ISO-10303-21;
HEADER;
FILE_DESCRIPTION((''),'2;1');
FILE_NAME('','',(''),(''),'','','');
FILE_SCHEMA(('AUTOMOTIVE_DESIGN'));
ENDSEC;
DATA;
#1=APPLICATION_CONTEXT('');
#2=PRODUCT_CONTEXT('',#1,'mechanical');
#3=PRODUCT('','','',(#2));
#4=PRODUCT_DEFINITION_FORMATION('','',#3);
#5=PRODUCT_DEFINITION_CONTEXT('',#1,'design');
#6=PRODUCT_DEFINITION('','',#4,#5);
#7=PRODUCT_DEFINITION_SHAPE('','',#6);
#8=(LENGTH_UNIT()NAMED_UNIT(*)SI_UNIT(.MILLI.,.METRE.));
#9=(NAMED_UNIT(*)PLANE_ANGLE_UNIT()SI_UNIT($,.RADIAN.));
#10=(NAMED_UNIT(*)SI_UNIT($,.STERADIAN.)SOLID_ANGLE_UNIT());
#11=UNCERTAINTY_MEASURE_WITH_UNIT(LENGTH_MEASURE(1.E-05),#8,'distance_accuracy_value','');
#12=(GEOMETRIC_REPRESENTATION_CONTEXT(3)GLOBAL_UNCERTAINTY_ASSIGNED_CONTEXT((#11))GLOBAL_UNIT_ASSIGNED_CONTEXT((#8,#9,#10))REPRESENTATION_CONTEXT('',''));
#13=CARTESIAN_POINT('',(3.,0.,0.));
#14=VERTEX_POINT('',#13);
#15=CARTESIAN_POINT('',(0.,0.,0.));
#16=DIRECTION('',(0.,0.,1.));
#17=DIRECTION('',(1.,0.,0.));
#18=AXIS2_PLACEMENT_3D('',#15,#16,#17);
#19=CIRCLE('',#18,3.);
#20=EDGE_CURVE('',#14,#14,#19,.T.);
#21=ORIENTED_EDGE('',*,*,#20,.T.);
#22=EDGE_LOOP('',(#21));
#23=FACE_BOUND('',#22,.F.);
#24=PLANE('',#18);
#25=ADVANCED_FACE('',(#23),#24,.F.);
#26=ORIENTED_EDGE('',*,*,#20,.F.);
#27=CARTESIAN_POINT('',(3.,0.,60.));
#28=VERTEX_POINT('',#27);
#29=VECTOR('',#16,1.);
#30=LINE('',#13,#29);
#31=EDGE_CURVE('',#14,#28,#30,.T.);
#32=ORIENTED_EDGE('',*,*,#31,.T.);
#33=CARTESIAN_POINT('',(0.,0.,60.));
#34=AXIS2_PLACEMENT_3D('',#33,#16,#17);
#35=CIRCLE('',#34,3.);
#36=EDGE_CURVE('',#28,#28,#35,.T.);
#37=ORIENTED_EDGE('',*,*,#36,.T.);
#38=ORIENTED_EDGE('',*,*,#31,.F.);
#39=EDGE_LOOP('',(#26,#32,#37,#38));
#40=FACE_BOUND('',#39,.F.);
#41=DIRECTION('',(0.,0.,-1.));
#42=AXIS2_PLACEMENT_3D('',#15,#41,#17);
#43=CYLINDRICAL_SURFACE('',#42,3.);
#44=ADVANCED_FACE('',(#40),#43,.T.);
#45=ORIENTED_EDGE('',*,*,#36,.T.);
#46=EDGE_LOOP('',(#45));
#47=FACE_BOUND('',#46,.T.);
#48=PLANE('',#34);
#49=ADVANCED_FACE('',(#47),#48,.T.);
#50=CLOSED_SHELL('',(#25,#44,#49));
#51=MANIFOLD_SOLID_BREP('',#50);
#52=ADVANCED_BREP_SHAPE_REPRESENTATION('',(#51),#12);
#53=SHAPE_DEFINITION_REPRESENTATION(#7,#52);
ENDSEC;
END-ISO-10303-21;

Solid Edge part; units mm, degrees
sketch "Sketch1" plane through (0, 0, 0) normal (0, 0, 1) x (1, 0, 0)
  circle A0 centre (0, 0) radius 3
extrude "ProtrusiónExtruida_1" add sketch "Sketch1" along normal blind 60
